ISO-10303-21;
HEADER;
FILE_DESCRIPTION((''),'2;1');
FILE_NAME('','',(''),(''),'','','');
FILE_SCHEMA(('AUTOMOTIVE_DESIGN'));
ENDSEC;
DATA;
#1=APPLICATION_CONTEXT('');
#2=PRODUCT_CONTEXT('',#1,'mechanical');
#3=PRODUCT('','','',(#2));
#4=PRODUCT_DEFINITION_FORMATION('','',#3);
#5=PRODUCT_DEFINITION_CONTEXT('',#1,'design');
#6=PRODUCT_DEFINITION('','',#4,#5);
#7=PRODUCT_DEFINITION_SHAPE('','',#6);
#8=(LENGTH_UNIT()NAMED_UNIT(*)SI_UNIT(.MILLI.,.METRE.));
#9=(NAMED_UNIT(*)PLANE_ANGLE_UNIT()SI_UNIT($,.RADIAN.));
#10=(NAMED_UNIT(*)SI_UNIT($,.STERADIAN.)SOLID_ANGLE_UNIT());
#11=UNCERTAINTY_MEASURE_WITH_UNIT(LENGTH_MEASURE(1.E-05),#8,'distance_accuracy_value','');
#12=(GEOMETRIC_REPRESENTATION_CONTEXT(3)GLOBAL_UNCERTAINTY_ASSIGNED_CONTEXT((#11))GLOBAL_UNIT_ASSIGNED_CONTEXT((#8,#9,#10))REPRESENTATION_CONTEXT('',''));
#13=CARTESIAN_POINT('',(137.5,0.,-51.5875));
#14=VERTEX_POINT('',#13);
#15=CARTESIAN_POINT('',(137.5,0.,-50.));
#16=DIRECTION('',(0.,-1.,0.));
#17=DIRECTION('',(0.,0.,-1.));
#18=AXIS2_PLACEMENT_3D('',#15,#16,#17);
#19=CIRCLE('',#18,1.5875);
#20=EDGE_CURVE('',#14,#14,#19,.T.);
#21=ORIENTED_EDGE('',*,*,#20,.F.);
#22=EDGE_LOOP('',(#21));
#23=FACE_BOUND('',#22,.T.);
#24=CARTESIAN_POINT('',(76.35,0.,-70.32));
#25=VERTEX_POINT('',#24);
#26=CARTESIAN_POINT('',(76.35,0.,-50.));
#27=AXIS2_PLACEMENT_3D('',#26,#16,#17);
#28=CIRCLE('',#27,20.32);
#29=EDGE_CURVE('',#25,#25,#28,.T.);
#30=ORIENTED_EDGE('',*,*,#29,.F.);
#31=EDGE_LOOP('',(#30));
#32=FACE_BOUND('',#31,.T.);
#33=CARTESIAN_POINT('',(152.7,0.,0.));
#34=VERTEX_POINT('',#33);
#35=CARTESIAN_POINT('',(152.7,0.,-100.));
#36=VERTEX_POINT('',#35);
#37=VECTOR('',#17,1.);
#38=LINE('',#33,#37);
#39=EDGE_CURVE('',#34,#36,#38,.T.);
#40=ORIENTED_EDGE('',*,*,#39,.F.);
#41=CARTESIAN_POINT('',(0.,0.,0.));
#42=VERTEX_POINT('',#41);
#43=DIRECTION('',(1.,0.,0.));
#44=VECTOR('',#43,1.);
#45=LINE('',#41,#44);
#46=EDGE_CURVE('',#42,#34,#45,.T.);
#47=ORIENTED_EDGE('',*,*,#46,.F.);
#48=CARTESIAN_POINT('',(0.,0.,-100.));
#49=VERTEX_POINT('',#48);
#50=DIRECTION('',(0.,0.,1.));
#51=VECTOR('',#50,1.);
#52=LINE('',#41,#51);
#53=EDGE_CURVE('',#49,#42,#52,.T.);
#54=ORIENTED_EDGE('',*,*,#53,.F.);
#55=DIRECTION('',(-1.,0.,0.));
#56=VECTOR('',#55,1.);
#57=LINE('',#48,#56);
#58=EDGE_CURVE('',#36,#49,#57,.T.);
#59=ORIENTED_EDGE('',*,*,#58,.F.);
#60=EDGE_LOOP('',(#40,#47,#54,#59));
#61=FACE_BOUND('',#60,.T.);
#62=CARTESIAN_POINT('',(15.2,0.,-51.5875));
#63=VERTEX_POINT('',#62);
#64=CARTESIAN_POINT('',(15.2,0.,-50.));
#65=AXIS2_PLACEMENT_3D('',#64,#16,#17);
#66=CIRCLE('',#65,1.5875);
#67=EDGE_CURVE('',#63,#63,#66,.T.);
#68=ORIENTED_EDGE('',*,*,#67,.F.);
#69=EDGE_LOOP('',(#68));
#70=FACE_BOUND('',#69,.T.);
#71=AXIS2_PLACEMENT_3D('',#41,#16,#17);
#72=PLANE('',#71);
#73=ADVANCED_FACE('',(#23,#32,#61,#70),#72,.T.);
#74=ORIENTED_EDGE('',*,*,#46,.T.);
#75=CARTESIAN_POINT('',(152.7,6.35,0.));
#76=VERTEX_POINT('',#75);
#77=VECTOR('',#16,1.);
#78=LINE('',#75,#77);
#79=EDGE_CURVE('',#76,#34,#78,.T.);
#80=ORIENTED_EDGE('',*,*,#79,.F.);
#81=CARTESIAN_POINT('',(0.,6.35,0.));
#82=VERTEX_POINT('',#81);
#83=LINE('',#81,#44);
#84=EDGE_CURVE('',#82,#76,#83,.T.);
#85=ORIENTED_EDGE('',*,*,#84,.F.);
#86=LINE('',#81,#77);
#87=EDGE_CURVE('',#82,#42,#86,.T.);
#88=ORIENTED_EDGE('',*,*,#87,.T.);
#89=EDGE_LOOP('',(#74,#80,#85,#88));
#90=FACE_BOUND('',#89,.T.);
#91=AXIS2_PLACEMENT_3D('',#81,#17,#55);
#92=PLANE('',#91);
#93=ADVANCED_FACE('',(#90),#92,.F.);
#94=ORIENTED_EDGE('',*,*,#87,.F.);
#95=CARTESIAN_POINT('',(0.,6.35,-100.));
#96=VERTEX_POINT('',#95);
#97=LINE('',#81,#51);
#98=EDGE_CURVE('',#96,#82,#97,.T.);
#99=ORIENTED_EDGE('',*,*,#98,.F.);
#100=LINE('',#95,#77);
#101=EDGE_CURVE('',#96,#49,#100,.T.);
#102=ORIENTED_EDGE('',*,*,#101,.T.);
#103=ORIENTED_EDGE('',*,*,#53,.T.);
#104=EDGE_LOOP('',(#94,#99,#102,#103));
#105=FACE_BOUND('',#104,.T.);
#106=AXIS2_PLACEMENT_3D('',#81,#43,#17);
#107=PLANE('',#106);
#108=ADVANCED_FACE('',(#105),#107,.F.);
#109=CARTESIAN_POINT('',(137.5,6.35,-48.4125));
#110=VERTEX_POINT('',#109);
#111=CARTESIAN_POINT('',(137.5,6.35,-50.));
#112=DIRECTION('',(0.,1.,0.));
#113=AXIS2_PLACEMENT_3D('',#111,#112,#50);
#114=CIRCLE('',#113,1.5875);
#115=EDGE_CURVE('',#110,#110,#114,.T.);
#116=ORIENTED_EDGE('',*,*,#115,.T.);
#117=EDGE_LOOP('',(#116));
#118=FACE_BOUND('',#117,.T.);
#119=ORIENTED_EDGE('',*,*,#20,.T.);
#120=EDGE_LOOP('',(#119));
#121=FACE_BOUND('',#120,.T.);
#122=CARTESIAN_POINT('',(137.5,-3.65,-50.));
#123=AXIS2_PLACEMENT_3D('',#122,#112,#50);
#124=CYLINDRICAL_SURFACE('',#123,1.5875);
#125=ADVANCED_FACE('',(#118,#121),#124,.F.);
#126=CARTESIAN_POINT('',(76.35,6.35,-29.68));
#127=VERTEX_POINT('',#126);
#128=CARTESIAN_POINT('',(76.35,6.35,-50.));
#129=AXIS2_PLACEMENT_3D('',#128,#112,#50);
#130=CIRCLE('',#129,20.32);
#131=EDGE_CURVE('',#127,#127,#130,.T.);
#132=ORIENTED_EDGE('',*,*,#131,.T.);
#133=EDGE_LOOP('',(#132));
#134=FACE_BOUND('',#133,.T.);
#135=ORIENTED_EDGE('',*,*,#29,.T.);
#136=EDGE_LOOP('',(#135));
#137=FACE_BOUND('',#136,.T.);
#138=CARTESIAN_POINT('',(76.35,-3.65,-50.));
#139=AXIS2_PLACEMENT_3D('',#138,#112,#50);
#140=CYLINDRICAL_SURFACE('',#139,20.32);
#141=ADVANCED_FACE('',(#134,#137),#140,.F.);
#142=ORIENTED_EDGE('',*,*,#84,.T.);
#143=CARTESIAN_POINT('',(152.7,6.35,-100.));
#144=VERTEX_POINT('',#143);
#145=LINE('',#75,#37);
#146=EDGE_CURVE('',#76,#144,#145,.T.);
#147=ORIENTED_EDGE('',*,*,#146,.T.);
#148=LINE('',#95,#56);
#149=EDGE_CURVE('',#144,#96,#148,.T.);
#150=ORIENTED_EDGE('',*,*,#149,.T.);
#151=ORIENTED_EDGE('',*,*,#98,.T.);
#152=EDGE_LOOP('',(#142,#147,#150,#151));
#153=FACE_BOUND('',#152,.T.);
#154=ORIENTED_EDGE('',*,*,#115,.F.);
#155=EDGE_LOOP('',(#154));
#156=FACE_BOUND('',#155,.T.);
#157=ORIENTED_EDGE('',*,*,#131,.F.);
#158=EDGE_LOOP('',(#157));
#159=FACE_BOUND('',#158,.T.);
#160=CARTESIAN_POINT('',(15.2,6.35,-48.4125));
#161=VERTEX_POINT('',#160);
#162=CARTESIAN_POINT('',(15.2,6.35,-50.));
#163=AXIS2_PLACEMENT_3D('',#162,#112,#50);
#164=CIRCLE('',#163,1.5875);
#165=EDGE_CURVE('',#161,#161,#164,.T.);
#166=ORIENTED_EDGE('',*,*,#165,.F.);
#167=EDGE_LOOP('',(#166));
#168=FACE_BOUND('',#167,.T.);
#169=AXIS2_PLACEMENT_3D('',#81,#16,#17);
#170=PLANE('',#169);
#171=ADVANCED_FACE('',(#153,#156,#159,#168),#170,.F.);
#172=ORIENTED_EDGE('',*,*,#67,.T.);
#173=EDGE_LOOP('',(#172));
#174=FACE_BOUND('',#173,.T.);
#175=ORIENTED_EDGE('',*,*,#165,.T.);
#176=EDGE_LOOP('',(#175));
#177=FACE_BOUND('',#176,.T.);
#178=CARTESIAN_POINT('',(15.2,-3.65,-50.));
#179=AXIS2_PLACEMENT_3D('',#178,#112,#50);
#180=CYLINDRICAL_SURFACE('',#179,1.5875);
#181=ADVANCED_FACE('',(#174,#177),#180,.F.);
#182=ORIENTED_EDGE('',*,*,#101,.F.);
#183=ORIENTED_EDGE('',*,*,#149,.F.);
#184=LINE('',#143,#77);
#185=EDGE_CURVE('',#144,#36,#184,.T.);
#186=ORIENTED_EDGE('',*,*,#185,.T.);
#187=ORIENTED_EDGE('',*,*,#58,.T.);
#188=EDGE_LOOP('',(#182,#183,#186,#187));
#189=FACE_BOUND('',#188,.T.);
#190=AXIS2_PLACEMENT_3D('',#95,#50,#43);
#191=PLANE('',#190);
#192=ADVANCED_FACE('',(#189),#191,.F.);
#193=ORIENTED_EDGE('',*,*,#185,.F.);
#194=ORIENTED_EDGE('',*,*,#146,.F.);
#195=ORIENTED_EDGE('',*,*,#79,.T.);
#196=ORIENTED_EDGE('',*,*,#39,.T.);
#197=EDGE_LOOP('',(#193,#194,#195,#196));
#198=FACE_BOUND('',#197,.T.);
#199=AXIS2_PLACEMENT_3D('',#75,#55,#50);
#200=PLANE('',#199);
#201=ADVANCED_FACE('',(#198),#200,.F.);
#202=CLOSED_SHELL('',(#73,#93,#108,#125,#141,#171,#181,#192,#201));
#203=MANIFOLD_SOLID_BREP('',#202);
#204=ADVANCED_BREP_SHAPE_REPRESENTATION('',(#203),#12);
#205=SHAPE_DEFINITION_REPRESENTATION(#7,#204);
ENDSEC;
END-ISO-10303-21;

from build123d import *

# Parameters (mm, degrees)
SKETCH1_W           = 152.7
SKETCH1_H           = 100
BOSS_EXTRUDE1_DEPTH = 6.35
SKETCH2_R           = 20.32
CUT_EXTRUDE1_DEPTH  = 10
SKETCH3_R           = 1.5875
CUT_EXTRUDE2_DEPTH  = 10


with BuildPart() as part:
    # Sketch1 → Boss-Extrude1 (new body)
    with BuildSketch(Plane(origin=(0, 0, 0), x_dir=(1, 0, 0), z_dir=(0, 1, 0))):
        with Locations((76.35, 50)):
            Rectangle(SKETCH1_W, SKETCH1_H)
    extrude(amount=BOSS_EXTRUDE1_DEPTH)

    # Sketch2 → Cut-Extrude1 (cut)
    with BuildSketch(Plane(origin=(0, 6.35, 0), x_dir=(1, 0, 0), z_dir=(0, 1, 0))):
        with Locations(Location((76.35, 50, 0), (0, 0, 270))):
            Circle(SKETCH2_R)
    extrude(amount=-CUT_EXTRUDE1_DEPTH, mode=Mode.SUBTRACT)

    # Sketch3 → Cut-Extrude2 (cut)
    with BuildSketch(Plane(origin=(0, 6.35, 0), x_dir=(1, 0, 0), z_dir=(0, 1, 0))):
        with Locations(Location((15.2, 50, 0), (0, 0, 270))):
            Circle(SKETCH3_R)
        with Locations(Location((137.5, 50, 0), (0, 0, 270))):
            Circle(SKETCH3_R)
    extrude(amount=-CUT_EXTRUDE2_DEPTH, mode=Mode.SUBTRACT)


solid = part.part
